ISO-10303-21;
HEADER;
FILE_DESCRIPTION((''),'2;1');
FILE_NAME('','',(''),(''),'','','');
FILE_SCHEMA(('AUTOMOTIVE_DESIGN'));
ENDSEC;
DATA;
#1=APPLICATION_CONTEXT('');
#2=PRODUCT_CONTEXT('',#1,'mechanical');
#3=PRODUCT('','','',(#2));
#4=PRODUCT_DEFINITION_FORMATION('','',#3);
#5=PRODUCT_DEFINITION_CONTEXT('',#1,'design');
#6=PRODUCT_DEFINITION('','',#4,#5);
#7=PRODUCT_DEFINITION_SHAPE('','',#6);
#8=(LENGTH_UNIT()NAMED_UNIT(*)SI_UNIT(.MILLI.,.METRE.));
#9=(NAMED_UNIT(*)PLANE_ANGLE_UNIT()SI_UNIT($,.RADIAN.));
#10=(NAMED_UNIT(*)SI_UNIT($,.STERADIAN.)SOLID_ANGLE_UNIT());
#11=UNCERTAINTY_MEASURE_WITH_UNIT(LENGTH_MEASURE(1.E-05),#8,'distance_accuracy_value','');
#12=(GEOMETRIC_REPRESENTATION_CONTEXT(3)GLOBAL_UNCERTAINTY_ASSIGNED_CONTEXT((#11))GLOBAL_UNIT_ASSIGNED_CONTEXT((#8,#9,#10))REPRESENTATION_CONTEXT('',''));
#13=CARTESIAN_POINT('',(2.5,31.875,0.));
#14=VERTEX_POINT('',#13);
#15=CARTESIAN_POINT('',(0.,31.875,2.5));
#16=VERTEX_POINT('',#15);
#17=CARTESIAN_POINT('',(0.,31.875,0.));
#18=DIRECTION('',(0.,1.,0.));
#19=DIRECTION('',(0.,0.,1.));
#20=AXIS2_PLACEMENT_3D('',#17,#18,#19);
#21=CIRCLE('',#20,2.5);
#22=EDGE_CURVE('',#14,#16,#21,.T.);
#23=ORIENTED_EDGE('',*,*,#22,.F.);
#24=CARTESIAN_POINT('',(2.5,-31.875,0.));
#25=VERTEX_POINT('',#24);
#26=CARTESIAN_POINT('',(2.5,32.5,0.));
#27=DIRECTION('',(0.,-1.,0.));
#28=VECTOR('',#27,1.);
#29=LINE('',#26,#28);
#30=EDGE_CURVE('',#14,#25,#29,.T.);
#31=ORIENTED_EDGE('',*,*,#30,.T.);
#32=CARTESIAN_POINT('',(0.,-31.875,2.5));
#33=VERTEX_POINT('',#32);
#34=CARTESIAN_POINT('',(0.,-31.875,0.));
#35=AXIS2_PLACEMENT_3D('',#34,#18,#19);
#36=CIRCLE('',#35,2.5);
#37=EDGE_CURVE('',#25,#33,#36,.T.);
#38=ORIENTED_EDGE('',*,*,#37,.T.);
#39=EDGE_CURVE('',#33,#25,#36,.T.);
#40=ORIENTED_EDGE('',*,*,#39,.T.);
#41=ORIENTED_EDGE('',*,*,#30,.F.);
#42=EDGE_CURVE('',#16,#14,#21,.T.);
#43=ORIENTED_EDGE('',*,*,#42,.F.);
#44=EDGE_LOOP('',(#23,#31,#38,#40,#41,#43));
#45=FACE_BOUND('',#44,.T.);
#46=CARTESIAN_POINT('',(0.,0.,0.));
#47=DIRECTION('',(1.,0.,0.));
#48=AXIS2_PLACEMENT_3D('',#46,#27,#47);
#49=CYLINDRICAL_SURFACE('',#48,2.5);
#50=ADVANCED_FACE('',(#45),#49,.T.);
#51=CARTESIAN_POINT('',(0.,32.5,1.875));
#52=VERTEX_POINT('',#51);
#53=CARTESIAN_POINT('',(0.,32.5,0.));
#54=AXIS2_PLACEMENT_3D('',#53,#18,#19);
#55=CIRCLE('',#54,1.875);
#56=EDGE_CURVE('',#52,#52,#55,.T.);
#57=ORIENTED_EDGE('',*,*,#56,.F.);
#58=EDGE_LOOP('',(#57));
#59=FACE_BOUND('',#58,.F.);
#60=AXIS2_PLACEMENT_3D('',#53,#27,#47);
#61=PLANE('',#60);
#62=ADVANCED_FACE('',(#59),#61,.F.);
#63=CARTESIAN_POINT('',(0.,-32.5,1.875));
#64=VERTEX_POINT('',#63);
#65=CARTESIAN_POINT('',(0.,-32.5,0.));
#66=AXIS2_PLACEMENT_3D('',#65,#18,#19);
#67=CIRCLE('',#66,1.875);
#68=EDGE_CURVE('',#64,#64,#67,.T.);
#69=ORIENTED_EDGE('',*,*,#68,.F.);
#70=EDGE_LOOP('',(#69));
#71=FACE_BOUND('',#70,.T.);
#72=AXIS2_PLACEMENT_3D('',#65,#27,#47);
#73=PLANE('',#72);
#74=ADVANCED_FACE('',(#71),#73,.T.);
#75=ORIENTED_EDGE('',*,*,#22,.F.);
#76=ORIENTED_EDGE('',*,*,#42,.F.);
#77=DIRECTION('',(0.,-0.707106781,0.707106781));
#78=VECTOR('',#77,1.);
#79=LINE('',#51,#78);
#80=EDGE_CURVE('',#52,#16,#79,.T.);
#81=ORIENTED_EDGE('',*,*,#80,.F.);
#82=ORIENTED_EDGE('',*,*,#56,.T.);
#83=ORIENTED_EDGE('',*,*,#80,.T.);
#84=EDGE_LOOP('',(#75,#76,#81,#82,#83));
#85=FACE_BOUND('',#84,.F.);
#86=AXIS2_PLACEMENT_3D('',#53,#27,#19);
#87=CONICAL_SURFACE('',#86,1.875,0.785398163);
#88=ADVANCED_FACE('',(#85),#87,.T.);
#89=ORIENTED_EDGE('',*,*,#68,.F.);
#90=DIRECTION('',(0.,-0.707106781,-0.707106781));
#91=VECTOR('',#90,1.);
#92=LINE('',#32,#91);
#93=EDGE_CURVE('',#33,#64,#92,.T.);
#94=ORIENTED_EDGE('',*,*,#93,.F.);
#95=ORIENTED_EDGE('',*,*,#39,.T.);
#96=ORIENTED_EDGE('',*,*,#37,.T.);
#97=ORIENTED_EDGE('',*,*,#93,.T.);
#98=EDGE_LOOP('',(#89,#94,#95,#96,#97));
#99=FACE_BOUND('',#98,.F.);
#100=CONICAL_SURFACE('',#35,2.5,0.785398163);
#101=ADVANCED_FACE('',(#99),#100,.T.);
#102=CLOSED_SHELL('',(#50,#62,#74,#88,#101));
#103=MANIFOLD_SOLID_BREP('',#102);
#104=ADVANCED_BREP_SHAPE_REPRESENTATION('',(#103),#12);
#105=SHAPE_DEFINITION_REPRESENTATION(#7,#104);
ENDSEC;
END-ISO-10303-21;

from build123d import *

# Parameters (mm, degrees)
SKETCH_R  = 2.5
PAD_DEPTH = 32.5


with BuildPart() as part:
    # Sketch → Pad (new body, symmetric)
    with BuildSketch(Plane.XZ):
        Circle(SKETCH_R)
    extrude(amount=PAD_DEPTH, both=True)

    # Sketch001 → Groove (revolve, cut)
    with BuildSketch(Plane.YZ):
        Polygon((-32.5, 4.5), (32.5, 4.5), (32.5, 1.875), (31.875, 2.5), (-31.875, 2.5), (-32.5, 1.875), align=None)
    revolve(axis=Axis((0, 0, 0), (0, 1, 0)), mode=Mode.SUBTRACT)


solid = part.part
